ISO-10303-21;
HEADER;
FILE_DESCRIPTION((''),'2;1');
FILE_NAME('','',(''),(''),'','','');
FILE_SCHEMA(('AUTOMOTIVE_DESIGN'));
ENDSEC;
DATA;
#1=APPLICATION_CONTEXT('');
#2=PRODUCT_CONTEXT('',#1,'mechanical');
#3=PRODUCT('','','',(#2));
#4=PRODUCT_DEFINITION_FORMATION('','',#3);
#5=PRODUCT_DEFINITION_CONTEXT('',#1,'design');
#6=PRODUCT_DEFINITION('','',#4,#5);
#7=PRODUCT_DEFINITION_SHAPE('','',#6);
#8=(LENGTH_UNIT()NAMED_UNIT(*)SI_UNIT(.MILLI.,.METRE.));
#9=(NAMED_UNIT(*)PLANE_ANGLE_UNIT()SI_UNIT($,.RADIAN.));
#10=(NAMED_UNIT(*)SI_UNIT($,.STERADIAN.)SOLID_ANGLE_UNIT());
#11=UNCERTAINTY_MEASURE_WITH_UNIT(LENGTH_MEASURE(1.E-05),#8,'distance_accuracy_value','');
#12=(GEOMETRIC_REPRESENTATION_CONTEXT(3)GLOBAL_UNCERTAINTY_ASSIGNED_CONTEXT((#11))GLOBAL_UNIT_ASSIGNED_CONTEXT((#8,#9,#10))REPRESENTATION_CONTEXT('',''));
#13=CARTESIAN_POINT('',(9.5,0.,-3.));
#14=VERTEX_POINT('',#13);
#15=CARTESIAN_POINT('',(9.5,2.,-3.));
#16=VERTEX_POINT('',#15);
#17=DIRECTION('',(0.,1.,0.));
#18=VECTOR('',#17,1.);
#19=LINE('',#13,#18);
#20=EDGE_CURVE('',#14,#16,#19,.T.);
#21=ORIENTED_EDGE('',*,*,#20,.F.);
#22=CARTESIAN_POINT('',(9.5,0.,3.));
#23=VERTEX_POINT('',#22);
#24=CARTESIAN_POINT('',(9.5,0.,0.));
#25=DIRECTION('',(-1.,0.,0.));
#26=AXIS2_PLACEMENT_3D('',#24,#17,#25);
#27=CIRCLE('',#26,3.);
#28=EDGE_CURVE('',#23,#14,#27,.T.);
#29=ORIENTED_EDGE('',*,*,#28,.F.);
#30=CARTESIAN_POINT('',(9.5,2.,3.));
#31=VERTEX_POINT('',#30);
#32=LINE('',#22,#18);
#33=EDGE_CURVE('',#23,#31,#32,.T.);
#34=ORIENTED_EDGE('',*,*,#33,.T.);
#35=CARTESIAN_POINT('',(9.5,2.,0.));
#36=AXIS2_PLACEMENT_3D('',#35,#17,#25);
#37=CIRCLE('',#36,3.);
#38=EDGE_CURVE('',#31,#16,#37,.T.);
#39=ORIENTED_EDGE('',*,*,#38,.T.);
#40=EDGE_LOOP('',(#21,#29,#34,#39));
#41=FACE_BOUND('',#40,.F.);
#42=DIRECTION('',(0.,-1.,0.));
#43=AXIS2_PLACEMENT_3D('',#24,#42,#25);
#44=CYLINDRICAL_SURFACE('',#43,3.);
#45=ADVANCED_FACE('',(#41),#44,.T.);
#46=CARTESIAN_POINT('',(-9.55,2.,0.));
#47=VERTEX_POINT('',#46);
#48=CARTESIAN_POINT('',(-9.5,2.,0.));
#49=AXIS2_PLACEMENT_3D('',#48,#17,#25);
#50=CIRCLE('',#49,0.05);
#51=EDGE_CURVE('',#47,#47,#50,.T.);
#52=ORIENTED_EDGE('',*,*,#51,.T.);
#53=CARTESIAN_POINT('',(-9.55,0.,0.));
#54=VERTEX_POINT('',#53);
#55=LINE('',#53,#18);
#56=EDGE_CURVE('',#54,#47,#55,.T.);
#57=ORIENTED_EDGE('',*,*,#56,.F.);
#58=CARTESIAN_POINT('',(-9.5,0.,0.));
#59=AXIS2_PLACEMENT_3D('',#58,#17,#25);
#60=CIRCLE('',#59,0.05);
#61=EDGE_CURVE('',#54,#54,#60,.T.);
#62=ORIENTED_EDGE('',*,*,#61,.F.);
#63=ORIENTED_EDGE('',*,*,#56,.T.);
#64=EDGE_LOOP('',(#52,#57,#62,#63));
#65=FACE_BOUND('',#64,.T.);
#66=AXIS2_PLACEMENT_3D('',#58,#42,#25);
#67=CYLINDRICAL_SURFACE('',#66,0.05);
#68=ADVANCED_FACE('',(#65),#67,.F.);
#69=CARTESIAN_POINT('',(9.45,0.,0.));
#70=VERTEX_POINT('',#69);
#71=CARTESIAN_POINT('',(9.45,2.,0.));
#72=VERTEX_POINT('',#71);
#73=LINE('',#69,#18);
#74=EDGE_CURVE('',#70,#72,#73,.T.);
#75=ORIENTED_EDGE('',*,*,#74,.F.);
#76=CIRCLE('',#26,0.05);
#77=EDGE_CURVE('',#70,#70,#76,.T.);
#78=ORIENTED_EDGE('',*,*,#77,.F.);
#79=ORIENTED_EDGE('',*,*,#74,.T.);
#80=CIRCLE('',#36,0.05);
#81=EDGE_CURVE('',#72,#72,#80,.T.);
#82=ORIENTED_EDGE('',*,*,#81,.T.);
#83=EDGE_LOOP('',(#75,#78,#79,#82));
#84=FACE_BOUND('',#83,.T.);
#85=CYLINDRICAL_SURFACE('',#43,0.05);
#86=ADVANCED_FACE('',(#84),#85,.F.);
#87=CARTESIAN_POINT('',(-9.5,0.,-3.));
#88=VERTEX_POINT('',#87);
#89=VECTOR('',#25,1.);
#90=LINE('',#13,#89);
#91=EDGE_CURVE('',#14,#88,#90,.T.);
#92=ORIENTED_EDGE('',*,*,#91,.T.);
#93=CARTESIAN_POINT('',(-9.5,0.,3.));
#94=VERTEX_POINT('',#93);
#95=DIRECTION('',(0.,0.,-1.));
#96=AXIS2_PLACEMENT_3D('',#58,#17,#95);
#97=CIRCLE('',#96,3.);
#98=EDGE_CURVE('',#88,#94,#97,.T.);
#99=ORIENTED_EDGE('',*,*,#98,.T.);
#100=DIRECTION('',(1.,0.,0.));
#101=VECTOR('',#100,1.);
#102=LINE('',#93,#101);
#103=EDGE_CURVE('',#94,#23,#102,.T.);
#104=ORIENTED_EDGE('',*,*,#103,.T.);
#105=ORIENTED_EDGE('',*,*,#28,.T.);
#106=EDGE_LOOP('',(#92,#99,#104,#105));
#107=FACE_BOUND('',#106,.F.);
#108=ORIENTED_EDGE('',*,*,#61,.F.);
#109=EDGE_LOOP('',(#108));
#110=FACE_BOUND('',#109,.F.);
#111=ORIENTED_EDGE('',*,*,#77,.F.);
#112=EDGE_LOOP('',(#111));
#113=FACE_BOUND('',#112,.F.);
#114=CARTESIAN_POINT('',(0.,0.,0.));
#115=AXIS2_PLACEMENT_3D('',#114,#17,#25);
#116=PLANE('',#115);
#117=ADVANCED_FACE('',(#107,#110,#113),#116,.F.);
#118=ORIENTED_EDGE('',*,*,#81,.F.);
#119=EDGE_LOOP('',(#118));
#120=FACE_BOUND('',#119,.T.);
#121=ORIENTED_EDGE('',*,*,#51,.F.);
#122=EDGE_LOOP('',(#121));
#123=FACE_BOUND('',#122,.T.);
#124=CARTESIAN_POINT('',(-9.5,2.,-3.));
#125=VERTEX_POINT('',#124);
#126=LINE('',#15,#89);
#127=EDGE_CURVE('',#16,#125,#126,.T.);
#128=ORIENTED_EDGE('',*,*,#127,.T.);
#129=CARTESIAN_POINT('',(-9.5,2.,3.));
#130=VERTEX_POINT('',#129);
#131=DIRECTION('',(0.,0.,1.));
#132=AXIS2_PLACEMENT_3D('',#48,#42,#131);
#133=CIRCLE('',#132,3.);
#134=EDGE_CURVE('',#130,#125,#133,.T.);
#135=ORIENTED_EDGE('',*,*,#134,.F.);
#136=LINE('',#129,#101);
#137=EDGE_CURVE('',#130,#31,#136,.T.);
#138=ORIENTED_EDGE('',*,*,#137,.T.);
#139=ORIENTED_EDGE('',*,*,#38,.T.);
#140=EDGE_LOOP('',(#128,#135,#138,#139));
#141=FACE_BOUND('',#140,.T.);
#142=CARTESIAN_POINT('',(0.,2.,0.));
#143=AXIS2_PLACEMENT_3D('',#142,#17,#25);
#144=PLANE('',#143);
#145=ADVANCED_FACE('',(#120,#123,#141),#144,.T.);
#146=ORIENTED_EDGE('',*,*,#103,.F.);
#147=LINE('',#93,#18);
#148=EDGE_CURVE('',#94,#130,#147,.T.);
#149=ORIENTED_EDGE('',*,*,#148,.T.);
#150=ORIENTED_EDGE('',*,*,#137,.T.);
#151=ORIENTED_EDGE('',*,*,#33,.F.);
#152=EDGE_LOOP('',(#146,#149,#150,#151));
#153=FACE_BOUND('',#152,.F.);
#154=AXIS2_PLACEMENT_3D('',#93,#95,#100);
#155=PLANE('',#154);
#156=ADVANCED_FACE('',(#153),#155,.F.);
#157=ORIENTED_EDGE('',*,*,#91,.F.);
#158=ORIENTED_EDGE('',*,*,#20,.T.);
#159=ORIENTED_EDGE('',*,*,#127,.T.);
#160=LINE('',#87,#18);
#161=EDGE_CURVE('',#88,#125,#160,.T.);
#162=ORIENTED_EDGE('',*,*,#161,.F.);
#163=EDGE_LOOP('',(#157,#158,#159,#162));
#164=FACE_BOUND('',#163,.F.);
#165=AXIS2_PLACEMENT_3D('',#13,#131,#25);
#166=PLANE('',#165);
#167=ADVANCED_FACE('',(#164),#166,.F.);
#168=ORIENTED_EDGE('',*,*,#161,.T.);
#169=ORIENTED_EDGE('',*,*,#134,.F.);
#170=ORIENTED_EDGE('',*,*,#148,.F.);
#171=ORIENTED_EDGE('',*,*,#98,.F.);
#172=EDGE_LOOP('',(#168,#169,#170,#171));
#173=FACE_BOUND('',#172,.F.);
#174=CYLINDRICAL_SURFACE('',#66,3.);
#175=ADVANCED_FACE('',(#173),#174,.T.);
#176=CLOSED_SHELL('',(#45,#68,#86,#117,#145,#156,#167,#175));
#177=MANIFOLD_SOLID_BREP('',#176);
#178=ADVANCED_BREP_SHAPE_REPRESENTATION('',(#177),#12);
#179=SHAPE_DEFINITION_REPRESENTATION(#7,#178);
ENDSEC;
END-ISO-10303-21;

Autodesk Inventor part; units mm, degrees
ref_plane "YZ Plane" through (0, 0, 0) normal (1, 0, 0) x (0, 1, 0)
ref_plane "XZ Plane" through (0, 0, 0) normal (0, 1, 0) x (-1, 0, 0)
ref_plane "XY Plane" through (0, 0, 0) normal (0, 0, 1) x (1, 0, 0)
sketch "Sketch1" plane through (0, 0, 0) normal (0, 1, 0) x (-1, 0, 0)
  line L0 (9.5, 3) -> (-9.5, 3)
  line L1 (-9.5, -3) -> (9.5, -3)
  circle A0 centre (-9.5, 0) radius 3
  circle A1 centre (9.5, 0) radius 3
  circle A2 centre (-9.5, 0) radius 0.05
  circle A3 centre (9.5, 0) radius 0.05
  line L2 (-9.5, 3) -> (9.5, 3)
  line L3 (-9.5, -3) -> (9.5, -3)
  arc A4 (-9.5, 3) -> (-9.5, -3) centre (-9.5, 0) ccw
  arc A5 (9.5, -3) -> (9.5, 3) centre (9.5, 0) ccw
  point P0 (0, 0)
  dimension "d0" = 19
  dimension "d1" = 6
  dimension "d2" = 0.1
  dimension "d3" = 0.1
extrude "Extrusion1" add sketch "Sketch1" along normal blind 2
properties part number "tahlo_sablona_servo"
